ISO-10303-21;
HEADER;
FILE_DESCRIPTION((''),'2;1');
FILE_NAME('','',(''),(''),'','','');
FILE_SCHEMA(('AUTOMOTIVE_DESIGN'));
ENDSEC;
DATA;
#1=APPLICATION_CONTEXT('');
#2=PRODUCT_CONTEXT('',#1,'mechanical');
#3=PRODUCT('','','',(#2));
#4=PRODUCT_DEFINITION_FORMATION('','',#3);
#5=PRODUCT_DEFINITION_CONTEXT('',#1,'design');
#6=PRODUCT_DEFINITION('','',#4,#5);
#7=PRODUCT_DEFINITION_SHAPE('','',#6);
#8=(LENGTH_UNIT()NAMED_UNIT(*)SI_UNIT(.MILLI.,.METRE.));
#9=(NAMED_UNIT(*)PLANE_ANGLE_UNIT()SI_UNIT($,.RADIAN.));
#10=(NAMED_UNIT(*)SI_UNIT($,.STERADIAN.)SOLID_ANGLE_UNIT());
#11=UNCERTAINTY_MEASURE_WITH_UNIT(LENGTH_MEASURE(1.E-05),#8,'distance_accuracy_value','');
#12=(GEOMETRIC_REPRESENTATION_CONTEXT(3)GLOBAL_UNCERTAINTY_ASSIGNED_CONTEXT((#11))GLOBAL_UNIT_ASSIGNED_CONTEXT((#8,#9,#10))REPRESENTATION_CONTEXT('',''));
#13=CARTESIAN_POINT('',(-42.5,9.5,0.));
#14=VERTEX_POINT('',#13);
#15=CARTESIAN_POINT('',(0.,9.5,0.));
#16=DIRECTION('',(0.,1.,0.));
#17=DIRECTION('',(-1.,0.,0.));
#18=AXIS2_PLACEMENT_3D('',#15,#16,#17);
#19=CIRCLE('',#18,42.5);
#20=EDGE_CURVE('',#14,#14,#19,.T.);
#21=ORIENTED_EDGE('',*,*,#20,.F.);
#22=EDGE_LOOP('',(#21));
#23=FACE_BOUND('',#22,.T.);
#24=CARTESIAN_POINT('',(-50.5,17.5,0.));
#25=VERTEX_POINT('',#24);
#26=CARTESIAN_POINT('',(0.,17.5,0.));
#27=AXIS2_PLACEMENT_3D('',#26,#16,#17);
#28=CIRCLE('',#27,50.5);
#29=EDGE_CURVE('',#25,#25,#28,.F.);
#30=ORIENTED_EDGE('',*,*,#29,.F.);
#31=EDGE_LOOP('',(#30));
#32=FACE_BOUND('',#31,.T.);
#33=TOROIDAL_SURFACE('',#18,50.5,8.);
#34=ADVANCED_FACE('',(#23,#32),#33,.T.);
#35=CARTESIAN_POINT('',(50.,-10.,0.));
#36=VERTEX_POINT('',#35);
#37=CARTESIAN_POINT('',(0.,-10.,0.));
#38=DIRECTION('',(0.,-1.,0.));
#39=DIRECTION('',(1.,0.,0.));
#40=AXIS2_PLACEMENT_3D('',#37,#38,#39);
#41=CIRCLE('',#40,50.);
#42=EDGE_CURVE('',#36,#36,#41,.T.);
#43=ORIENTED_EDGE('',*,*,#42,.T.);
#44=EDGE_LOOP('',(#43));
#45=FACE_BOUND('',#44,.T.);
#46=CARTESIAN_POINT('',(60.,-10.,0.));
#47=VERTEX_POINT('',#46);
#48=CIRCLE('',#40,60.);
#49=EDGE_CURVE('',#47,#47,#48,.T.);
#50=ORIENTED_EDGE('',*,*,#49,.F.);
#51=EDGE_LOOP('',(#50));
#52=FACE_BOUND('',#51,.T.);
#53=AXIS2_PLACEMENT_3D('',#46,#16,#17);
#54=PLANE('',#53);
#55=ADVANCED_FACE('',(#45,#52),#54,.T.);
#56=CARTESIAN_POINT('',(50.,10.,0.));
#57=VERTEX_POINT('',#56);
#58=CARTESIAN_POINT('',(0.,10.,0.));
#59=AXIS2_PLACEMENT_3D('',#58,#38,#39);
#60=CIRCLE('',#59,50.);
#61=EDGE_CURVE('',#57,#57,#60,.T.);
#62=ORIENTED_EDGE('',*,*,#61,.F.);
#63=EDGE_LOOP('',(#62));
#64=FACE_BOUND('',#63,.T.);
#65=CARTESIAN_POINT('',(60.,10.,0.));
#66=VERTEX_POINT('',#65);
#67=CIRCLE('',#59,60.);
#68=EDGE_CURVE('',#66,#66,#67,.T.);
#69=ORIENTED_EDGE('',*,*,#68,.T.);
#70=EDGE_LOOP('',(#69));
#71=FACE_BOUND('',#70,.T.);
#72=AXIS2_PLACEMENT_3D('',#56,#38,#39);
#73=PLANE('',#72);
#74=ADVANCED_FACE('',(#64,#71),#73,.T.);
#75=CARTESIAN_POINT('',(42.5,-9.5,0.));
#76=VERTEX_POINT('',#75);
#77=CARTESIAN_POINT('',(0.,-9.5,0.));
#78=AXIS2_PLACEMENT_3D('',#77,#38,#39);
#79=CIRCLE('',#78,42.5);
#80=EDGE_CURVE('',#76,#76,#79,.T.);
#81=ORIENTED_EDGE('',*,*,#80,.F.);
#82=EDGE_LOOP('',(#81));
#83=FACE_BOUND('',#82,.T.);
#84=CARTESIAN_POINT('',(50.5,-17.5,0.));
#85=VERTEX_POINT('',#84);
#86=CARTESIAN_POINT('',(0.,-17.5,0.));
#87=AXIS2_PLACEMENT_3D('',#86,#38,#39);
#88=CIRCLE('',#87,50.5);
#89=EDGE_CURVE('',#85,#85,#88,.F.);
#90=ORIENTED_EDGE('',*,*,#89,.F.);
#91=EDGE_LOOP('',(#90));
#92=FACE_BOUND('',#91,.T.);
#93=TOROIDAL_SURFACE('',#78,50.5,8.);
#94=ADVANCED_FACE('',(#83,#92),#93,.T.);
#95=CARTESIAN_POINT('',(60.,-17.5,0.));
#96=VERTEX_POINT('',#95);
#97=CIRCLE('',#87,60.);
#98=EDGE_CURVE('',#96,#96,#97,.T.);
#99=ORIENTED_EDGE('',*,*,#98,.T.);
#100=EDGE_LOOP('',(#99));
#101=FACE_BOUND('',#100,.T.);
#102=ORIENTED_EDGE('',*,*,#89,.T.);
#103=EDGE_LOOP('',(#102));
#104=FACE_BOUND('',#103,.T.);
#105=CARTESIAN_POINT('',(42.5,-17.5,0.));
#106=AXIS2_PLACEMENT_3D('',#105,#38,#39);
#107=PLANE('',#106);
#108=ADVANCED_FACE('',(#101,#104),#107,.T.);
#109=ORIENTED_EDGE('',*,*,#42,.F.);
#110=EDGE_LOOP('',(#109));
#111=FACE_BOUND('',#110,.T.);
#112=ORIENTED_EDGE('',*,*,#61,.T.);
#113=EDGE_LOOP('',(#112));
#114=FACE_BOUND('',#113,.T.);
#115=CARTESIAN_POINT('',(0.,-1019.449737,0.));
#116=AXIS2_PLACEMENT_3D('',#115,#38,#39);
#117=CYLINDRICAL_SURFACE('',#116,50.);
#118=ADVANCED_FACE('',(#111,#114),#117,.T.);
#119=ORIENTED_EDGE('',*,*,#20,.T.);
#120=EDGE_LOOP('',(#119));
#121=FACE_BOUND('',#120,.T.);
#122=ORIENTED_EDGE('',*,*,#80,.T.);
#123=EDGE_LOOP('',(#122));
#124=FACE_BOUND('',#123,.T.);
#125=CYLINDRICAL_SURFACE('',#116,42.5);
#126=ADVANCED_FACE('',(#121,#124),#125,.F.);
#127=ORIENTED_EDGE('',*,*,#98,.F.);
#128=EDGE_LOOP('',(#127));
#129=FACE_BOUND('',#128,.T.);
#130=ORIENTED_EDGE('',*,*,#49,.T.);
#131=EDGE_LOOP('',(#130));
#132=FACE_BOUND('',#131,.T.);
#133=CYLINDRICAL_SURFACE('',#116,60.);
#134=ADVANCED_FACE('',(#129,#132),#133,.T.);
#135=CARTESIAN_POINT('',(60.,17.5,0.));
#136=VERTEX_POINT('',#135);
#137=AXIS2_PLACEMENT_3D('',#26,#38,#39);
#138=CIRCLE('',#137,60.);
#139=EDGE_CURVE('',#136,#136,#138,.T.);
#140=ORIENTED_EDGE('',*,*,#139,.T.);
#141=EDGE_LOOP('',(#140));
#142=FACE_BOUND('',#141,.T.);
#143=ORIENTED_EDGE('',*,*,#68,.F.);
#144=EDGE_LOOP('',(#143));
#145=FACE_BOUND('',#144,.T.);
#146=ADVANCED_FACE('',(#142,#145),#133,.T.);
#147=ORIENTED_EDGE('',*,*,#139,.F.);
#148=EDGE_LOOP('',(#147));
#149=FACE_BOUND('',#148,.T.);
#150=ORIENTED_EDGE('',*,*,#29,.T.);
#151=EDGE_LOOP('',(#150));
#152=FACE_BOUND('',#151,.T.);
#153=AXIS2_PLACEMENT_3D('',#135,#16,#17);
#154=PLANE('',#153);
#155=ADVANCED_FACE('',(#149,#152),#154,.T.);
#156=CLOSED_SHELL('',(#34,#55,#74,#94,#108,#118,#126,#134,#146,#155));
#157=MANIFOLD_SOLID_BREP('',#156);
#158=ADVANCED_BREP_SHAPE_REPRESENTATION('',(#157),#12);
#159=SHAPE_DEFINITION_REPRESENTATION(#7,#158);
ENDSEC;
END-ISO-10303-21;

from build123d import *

# Parameters (mm, degrees)
FILLET1_R = 8


with BuildPart() as part:
    # Sketch1 → Revolve1 (revolve)
    with BuildSketch(Plane.XY):
        Polygon((60, 17.5), (42.5, 17.5), (42.5, -17.5), (60, -17.5), (60, -10), (50, -10), (50, 10), (60, 10), align=None)
    revolve(axis=Axis((0, -1019.449736873, 0), (0, 1, 0)))

    # Fillet1
    fillet1_edges = [part.edges().sort_by_distance(p)[0] for p in [
        (-42.5, -17.5, 0),
        (-42.5, 17.5, 0),
    ]]
    fillet(fillet1_edges, radius=FILLET1_R)


solid = part.part
